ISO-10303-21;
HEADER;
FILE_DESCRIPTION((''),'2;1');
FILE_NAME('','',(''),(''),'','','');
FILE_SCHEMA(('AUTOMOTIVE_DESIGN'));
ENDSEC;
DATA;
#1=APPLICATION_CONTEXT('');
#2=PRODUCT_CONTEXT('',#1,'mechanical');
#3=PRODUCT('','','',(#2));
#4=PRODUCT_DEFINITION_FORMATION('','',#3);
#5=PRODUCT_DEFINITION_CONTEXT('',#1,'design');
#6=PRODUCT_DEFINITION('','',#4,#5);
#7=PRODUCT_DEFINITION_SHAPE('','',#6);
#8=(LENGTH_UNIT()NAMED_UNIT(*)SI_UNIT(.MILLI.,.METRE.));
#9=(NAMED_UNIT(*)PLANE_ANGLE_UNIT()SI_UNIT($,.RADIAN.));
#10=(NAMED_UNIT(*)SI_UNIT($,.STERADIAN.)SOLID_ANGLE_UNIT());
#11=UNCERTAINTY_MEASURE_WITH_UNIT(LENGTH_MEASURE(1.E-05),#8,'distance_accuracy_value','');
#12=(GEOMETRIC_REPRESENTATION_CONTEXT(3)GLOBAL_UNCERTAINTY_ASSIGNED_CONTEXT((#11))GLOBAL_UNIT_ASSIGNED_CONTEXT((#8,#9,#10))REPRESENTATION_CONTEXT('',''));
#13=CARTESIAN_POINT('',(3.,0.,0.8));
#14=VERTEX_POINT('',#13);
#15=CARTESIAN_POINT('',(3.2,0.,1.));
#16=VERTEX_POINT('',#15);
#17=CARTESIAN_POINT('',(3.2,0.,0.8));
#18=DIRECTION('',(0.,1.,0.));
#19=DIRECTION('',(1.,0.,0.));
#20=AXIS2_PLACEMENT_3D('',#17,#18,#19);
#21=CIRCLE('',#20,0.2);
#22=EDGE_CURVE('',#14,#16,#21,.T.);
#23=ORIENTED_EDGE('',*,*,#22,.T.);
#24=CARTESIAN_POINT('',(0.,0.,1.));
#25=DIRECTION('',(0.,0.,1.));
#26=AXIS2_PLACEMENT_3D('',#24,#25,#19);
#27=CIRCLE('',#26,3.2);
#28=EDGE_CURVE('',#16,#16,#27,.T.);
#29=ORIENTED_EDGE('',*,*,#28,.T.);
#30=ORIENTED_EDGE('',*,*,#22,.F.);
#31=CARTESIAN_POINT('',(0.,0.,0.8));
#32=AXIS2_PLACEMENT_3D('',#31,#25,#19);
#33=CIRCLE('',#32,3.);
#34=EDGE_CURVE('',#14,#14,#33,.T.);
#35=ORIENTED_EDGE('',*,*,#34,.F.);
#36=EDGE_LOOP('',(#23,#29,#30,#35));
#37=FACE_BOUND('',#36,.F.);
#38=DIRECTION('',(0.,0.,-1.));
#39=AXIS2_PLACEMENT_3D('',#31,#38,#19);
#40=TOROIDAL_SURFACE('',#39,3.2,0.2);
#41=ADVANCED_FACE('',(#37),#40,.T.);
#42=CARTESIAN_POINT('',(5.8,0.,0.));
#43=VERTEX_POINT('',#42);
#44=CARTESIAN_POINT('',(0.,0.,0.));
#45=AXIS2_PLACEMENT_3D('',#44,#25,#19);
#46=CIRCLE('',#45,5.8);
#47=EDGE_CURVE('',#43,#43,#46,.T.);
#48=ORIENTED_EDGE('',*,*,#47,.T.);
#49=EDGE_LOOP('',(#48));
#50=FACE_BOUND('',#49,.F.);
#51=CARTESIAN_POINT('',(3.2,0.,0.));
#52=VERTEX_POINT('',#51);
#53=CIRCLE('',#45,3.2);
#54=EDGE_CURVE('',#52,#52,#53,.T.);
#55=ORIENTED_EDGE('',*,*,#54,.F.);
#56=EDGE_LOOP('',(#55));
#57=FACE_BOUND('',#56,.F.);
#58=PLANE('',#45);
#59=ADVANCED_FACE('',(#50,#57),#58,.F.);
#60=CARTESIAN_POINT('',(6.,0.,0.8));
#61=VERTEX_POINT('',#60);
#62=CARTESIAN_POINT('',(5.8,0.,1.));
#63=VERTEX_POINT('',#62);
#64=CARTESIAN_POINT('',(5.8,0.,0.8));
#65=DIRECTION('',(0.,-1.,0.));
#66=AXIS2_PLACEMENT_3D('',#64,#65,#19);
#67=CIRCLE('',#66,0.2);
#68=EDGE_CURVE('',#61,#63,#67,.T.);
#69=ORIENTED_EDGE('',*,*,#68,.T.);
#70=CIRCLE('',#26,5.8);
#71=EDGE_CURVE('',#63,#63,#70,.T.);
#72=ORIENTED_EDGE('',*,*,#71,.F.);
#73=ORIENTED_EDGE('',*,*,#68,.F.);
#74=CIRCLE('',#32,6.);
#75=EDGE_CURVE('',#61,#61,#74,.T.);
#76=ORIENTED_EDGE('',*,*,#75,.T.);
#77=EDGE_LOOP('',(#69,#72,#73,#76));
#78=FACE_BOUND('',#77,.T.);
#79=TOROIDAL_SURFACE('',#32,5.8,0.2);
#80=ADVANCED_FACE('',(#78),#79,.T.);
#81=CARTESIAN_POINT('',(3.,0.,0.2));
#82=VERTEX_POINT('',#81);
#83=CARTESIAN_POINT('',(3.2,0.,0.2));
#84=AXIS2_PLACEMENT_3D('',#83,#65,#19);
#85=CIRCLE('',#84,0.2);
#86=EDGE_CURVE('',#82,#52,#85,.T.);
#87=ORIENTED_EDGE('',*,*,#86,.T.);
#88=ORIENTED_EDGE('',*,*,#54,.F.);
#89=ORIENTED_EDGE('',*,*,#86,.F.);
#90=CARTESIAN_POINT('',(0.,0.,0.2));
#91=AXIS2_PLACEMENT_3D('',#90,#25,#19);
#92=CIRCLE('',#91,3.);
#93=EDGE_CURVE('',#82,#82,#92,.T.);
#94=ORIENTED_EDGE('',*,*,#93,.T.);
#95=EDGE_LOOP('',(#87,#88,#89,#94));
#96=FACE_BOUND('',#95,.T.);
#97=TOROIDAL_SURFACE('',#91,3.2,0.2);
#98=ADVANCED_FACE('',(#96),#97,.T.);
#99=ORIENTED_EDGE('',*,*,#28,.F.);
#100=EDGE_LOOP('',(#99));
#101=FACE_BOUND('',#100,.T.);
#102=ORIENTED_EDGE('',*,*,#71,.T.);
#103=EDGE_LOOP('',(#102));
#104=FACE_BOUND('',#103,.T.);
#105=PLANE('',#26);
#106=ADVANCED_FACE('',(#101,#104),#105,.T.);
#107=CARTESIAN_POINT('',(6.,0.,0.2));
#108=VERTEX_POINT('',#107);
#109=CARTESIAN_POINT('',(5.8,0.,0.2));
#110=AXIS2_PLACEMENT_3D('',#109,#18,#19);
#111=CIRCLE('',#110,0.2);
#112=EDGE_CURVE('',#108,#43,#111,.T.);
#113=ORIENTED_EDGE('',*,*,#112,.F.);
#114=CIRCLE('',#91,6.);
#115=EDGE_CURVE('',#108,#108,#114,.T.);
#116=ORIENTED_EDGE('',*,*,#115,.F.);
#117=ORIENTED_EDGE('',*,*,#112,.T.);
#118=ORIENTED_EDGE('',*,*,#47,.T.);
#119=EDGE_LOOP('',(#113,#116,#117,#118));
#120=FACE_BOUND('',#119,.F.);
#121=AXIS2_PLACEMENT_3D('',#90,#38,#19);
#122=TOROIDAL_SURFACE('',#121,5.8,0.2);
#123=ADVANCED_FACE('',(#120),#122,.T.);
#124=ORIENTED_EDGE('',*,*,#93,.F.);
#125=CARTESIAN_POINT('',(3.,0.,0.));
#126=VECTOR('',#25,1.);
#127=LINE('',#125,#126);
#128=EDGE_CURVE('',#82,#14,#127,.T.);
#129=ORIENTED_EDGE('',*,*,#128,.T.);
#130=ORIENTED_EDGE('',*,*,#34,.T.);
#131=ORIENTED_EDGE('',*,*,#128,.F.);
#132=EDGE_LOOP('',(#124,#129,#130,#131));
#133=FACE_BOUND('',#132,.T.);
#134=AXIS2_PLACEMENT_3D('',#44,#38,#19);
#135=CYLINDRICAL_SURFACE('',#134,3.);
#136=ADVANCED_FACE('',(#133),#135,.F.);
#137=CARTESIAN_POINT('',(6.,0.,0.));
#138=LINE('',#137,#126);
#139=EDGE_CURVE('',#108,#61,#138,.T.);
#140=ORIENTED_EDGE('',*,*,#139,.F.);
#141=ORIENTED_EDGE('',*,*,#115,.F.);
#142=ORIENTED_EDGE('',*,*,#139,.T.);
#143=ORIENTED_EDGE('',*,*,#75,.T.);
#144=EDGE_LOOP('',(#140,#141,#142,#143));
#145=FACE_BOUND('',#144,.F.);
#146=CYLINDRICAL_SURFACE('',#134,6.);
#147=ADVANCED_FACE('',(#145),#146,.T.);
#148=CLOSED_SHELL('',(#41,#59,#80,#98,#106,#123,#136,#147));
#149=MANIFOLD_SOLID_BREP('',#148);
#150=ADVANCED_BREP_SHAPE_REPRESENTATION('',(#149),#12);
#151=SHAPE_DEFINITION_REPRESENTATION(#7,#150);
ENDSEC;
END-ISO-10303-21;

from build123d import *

# Parameters (mm, degrees)
F1_R     = 6
F1_R_2   = 3
F2_DEPTH = 1
F3_R     = 0.2


with BuildPart() as f2:
    # F1 (on offset) → F2 (new body)
    with BuildSketch(Plane.XY):
        Circle(F1_R)
        Circle(F1_R_2, mode=Mode.SUBTRACT)
    extrude(amount=F2_DEPTH)

    # F3
    f3_edges = [f2.edges().sort_by_distance(p)[0] for p in [
        (6, 0, 0.5),
        (-6, 0, 0),
        (-6, 0, 1),
        (-3, 0, 0),
        (-3, 0, 1),
    ]]
    fillet(f3_edges, radius=F3_R)


solid = f2.part
